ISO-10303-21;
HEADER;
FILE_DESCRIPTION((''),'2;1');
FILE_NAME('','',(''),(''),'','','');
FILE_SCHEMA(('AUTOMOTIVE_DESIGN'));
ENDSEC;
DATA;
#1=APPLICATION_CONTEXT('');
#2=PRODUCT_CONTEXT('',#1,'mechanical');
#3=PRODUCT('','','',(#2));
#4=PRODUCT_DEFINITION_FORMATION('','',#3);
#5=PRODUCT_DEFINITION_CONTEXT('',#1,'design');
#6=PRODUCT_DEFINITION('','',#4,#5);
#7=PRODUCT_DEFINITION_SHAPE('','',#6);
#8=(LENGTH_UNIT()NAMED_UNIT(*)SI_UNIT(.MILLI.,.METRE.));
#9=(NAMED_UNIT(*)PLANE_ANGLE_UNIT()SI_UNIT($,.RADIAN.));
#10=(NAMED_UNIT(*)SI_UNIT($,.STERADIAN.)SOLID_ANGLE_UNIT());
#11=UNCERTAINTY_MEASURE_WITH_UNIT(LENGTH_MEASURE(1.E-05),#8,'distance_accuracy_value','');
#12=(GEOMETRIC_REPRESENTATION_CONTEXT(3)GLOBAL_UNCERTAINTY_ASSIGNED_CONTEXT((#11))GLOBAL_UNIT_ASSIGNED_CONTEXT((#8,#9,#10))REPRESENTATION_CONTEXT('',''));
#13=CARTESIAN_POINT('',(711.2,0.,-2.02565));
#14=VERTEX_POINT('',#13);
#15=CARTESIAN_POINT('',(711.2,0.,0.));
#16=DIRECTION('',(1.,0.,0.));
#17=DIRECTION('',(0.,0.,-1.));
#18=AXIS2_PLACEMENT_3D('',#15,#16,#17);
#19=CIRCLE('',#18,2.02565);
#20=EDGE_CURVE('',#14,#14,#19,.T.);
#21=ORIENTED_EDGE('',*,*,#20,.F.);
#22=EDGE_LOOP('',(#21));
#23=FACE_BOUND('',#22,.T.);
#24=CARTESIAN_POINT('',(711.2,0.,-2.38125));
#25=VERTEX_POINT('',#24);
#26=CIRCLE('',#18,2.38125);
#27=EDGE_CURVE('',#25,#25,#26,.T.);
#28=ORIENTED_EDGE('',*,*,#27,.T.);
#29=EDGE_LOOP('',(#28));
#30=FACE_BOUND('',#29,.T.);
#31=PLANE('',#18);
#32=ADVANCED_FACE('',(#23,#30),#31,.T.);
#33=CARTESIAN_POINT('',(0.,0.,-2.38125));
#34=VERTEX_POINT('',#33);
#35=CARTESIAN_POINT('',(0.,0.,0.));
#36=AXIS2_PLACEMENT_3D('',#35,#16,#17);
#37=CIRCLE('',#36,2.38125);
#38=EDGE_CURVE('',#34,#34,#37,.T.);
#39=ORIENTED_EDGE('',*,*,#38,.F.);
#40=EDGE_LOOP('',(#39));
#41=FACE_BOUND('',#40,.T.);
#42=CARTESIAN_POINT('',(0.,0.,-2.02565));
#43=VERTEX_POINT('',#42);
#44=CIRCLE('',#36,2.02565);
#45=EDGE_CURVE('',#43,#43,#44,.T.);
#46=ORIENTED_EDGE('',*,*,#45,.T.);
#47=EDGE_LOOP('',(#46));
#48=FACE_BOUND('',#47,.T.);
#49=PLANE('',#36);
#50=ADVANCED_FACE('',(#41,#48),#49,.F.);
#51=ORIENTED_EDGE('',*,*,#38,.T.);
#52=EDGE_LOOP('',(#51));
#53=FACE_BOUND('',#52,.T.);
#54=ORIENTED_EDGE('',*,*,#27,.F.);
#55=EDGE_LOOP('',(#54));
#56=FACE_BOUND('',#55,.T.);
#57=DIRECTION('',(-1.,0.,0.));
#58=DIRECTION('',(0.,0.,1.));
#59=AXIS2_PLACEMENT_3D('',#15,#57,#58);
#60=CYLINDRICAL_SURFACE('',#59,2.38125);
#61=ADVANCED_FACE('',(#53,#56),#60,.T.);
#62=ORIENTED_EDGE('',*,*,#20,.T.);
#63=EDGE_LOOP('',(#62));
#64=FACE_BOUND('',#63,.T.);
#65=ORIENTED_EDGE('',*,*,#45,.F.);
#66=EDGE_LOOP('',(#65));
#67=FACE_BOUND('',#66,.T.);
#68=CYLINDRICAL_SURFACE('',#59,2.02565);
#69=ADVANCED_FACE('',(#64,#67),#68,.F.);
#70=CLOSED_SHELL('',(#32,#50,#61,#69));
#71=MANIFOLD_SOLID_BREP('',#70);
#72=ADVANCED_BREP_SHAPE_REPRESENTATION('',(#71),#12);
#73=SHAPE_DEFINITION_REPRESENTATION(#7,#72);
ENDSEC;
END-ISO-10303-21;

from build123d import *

# Parameters (mm, degrees)
SKETCH2_R   = 2.38125
SKETCH2_R_2 = 2.02565


with BuildPart() as part:
    # Sweep1: sweep along a path in Sketch1
    with BuildLine(Plane(origin=(0, 0, 0), x_dir=(1, 0, 0), z_dir=(0, 1, 0))) as sweep1_path:
        Line((0, 0), (711.2, 0))
    # Sketch2 → Sweep1 (sweep)
    with BuildSketch(Plane(origin=(0, 0, 0), x_dir=(0, 0, -1), z_dir=(1, 0, 0))):
        Circle(SKETCH2_R)
        Circle(SKETCH2_R_2, mode=Mode.SUBTRACT)
    sweep(path=sweep1_path.line)


solid = part.part
